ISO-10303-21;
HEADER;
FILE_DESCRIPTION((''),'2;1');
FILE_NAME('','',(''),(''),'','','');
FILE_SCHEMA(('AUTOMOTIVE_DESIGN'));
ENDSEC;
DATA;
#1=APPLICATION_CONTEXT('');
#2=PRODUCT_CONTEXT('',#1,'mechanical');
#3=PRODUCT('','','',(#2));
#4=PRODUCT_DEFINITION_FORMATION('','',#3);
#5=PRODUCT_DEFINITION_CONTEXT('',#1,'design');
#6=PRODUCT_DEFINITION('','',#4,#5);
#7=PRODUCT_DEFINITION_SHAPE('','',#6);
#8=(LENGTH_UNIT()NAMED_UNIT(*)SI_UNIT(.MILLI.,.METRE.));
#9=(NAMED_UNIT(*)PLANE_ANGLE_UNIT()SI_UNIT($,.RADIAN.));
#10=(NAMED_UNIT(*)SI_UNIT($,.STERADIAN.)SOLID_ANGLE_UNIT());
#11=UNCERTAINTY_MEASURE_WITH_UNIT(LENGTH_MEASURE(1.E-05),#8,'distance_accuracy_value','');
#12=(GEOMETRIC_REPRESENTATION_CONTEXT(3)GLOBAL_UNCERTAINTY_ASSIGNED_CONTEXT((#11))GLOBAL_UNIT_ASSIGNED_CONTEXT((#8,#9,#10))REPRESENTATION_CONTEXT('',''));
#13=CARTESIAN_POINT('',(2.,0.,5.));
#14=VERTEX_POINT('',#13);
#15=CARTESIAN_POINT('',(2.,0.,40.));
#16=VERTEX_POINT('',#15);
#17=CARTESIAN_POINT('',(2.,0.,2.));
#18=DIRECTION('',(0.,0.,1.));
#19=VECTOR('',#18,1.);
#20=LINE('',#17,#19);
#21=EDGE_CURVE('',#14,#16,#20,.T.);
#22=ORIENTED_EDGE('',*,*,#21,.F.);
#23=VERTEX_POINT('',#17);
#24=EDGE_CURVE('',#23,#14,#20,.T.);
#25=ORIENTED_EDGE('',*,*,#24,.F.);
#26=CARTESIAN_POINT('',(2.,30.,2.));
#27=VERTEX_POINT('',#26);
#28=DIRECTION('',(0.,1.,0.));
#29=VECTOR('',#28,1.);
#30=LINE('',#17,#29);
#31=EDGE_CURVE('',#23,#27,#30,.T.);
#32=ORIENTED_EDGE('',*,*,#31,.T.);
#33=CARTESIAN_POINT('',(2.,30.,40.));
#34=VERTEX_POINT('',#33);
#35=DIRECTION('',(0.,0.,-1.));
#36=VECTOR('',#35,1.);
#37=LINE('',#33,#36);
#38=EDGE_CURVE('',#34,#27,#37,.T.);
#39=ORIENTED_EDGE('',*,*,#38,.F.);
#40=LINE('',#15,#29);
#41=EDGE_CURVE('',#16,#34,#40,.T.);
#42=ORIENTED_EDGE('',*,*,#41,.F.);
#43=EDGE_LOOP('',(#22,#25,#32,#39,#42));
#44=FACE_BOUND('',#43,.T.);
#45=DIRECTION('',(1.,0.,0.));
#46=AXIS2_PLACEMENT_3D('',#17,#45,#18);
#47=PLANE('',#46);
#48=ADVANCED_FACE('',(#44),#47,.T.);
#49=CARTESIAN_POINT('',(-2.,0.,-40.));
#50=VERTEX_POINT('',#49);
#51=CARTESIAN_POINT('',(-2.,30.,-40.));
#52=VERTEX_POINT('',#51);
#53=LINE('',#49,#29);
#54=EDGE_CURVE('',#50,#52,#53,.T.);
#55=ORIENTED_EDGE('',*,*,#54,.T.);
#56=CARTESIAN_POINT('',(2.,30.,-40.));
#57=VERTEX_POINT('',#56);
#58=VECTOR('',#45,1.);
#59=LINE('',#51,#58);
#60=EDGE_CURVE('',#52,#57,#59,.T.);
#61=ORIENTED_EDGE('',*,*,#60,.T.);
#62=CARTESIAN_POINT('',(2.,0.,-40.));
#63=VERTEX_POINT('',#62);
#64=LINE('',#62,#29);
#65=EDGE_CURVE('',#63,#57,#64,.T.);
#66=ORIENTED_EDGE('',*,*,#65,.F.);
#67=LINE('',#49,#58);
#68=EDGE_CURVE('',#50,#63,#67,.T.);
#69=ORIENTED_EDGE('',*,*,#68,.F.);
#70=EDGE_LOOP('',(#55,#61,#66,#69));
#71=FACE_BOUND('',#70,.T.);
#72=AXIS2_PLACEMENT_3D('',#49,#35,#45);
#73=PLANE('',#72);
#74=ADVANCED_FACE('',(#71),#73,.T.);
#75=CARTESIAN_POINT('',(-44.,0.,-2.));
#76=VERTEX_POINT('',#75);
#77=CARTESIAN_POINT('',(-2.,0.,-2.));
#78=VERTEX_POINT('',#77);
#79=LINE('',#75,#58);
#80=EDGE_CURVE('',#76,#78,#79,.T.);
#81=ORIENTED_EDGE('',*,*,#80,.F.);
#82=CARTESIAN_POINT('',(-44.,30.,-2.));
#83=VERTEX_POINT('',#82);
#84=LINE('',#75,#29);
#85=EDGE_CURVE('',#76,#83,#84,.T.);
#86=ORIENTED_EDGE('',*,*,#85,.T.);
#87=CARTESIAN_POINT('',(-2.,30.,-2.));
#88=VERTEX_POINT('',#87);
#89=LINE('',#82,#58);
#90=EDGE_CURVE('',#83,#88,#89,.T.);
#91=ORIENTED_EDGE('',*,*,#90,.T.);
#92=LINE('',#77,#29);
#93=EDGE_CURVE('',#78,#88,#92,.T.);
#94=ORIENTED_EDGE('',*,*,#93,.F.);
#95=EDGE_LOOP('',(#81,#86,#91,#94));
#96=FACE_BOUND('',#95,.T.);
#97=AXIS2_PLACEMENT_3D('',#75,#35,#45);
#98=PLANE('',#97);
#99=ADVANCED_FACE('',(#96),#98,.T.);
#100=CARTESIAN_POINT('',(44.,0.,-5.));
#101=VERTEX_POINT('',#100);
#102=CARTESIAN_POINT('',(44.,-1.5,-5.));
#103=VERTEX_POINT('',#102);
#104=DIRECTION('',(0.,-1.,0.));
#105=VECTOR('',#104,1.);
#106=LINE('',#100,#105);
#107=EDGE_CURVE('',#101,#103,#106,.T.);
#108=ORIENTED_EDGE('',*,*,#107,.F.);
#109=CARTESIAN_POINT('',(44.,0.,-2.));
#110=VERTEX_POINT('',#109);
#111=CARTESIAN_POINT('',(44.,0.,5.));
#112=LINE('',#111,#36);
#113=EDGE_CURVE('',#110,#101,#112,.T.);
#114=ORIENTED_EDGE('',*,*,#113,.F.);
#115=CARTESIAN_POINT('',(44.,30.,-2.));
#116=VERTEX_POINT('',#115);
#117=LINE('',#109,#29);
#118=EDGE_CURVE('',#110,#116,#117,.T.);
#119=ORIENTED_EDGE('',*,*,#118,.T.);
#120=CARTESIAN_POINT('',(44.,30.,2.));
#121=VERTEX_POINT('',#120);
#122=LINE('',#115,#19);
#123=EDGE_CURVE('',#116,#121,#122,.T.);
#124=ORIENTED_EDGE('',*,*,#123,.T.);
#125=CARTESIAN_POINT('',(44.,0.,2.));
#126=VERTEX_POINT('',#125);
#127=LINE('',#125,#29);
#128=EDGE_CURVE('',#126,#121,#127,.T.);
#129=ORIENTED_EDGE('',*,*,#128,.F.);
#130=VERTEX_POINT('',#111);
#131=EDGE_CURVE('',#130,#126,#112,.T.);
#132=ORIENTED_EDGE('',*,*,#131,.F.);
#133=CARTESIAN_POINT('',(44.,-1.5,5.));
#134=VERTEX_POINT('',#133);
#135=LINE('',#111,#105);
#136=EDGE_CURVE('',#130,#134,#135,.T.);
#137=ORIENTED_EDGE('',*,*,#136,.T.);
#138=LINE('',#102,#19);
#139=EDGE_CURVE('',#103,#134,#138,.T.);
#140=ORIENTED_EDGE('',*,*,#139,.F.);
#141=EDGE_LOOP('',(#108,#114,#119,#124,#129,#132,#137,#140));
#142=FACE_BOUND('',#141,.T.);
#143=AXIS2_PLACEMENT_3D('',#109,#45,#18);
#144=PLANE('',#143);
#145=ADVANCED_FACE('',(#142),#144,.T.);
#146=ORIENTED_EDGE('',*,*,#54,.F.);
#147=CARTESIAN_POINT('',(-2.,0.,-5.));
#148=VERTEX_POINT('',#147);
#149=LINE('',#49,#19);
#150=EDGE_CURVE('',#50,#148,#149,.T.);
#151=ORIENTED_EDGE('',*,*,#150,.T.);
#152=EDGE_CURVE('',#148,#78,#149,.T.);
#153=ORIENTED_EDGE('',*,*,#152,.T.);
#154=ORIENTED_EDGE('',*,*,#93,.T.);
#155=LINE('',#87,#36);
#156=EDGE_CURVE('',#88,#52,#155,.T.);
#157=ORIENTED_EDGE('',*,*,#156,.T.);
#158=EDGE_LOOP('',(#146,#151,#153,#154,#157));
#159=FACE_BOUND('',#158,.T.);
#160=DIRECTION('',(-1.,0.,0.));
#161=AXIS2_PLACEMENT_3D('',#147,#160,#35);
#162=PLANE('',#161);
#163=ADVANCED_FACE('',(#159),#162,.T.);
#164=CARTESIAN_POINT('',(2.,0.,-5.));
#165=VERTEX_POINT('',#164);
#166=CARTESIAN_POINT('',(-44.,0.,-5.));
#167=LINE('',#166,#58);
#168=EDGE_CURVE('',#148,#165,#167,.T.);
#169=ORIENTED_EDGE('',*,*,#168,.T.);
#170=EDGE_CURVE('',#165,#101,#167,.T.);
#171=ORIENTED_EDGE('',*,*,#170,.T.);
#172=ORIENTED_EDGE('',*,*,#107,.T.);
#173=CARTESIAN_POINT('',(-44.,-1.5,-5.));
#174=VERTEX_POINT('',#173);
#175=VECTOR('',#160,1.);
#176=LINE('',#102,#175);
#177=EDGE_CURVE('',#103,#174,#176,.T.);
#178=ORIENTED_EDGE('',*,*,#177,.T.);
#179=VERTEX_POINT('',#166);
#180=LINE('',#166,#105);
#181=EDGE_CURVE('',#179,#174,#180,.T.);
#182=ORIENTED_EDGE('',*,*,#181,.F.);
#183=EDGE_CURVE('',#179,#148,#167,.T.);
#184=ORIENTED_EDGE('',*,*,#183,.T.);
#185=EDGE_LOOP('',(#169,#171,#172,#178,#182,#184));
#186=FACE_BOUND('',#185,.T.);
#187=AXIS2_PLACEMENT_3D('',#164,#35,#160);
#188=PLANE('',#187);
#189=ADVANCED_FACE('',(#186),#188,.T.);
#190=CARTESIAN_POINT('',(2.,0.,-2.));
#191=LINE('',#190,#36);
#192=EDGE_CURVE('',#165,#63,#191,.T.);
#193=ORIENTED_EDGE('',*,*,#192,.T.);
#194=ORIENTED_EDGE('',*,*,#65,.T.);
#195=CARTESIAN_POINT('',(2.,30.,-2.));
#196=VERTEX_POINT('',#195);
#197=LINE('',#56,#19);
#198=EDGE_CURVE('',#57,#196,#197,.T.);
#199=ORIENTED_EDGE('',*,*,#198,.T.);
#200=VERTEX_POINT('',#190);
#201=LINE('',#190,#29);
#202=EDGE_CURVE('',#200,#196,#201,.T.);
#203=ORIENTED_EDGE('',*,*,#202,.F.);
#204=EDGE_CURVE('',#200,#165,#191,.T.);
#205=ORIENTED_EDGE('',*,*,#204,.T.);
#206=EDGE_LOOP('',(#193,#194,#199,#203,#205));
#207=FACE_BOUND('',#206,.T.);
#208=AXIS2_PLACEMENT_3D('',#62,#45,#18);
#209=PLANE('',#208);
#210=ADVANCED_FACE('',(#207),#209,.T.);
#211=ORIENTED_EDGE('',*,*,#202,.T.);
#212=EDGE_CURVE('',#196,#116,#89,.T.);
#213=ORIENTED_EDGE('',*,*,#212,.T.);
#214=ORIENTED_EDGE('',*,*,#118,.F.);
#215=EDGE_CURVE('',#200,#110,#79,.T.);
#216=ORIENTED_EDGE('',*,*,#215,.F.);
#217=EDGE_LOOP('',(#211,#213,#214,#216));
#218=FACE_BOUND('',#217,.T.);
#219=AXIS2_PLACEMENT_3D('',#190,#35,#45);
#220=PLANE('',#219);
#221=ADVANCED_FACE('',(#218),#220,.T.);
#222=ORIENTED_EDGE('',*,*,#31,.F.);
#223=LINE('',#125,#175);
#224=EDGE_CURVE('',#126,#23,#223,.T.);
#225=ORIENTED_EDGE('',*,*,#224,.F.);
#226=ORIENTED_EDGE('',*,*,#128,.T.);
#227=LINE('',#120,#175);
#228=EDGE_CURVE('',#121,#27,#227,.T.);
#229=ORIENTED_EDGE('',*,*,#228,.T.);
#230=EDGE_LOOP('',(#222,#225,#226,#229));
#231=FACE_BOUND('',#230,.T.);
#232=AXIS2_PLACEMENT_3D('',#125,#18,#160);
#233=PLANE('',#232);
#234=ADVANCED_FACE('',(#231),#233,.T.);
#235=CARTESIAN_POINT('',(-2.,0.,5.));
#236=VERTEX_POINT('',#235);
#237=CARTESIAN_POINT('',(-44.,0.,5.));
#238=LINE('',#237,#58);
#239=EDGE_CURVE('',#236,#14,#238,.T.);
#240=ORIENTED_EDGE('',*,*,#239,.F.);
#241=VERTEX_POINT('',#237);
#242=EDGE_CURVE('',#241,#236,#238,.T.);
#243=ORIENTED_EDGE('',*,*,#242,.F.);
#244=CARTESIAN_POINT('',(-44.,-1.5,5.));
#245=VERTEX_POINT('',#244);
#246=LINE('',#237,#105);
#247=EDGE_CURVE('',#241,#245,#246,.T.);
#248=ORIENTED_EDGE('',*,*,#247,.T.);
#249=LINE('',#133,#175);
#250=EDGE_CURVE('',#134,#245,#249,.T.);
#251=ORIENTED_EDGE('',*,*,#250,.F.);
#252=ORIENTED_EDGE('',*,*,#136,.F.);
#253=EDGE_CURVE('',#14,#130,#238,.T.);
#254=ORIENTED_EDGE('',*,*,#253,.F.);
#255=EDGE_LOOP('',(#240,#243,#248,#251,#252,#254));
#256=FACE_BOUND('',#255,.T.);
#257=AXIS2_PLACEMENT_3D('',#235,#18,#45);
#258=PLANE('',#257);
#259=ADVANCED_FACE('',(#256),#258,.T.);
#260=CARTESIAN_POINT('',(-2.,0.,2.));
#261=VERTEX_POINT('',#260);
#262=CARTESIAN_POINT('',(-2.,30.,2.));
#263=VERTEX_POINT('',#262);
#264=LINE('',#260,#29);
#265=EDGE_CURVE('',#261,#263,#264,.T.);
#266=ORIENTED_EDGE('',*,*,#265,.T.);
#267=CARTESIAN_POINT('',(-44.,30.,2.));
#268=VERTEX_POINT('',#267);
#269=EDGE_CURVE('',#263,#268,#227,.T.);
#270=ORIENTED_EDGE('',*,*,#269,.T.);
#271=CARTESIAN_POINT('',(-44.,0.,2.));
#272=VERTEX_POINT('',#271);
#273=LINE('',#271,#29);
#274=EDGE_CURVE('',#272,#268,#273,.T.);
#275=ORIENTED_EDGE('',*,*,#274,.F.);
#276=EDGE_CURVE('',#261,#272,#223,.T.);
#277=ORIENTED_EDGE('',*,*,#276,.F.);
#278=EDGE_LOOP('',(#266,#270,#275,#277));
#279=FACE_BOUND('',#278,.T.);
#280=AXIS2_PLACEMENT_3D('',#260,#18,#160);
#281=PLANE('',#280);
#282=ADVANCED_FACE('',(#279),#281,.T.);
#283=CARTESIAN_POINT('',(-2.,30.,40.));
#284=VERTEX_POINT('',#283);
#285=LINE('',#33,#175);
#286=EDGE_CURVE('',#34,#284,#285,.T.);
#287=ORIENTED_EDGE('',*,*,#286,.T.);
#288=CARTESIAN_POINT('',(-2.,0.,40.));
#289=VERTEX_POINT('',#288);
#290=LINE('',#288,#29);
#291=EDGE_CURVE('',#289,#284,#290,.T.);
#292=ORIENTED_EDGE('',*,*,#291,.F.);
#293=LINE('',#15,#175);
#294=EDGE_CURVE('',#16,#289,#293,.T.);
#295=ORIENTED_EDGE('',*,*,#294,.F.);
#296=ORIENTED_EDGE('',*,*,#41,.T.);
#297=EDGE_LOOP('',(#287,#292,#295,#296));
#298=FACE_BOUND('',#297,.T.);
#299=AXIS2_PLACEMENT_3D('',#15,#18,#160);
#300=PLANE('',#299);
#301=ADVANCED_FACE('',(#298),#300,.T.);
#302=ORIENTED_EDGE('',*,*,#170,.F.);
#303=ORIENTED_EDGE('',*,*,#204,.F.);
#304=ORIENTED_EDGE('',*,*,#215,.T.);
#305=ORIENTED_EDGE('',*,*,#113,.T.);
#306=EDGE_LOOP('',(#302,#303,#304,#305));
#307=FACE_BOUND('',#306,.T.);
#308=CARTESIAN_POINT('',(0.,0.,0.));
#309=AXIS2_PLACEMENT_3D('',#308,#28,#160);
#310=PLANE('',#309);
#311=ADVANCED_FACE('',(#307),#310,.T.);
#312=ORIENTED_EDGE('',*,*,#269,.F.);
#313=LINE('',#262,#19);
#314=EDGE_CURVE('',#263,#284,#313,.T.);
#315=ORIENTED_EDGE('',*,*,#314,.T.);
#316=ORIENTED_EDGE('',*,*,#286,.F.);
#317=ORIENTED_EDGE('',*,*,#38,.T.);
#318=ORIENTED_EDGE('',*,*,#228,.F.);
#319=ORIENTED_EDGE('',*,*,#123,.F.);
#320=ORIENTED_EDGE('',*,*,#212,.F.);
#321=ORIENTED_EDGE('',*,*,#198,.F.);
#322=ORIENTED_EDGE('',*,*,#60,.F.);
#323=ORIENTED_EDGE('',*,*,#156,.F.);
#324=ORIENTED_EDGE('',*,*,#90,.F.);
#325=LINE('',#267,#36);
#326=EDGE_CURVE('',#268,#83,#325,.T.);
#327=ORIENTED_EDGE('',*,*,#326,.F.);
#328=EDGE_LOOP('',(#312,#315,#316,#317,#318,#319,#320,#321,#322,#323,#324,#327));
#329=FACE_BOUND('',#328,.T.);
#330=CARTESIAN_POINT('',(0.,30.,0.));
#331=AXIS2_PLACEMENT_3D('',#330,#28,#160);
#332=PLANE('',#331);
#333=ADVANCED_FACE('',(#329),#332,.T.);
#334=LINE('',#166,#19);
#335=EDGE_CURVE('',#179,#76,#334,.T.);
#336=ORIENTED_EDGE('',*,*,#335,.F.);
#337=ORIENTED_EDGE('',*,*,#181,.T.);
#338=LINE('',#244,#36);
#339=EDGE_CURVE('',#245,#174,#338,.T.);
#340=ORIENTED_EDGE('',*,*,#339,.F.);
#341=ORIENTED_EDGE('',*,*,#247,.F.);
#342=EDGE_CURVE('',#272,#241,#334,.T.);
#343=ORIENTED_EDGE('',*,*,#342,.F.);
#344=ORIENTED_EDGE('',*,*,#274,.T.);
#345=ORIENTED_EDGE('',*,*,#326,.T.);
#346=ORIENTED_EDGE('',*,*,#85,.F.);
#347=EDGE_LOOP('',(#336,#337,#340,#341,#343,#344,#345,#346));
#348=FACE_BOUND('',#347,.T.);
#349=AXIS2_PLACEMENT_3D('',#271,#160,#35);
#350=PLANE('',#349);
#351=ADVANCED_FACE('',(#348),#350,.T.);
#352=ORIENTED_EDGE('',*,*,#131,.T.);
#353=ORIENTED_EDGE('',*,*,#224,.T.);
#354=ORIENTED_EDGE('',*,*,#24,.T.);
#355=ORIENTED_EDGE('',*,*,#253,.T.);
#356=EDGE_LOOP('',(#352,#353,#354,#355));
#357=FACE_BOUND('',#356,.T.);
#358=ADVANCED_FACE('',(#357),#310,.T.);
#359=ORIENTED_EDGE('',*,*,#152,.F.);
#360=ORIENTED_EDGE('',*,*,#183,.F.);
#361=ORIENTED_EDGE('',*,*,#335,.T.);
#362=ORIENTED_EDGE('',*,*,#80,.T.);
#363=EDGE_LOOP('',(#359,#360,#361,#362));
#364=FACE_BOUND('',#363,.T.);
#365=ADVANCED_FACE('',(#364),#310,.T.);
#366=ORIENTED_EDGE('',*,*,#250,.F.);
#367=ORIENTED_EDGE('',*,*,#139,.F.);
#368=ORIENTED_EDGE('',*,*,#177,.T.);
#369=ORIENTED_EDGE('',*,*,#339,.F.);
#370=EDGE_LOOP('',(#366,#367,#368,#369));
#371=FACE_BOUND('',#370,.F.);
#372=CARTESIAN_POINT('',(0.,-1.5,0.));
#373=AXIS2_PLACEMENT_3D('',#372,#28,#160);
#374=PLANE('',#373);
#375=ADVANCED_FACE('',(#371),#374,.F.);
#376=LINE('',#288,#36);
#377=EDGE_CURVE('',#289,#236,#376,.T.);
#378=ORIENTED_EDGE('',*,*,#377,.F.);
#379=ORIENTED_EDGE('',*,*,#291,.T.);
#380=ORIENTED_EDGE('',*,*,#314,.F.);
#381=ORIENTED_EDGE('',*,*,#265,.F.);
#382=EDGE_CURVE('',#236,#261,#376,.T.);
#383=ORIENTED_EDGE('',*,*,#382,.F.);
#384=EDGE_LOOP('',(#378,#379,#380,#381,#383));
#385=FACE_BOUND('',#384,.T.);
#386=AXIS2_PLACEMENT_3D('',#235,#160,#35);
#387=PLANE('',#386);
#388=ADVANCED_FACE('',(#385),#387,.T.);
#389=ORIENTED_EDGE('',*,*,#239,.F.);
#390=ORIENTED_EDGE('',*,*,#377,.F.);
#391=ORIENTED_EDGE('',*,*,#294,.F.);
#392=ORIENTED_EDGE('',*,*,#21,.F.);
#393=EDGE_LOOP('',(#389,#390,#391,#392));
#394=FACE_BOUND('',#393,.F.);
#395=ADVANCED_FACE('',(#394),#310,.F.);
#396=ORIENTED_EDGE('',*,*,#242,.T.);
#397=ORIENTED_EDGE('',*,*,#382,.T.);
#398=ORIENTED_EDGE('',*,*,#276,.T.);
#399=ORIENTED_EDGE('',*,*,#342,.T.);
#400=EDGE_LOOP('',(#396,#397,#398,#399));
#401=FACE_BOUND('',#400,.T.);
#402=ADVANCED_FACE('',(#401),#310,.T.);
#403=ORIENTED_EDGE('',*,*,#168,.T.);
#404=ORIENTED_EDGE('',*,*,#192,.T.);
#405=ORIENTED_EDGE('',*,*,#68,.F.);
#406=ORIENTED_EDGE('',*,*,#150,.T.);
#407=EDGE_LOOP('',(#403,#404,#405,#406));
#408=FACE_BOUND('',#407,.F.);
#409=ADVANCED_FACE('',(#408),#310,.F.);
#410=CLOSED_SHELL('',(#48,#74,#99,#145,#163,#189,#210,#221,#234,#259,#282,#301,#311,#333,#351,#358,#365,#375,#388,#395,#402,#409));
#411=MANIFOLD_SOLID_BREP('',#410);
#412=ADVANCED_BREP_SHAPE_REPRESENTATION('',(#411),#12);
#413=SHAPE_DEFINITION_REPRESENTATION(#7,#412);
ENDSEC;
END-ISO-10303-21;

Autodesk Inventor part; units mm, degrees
ref_plane "YZ Plane" through (0, 0, 0) normal (1, 0, 0) x (0, 1, 0)
ref_plane "XZ Plane" through (0, 0, 0) normal (0, 1, 0) x (-1, 0, 0)
ref_plane "XY Plane" through (0, 0, 0) normal (0, 0, 1) x (1, 0, 0)
sketch "Sketch2" plane through (0, 0, 0) normal (0, 1, 0) x (-1, 0, 0)
  line L0 (2, -40) -> (-2, -40)
  line L1 (-2, -40) -> (-2, 40)
  line L2 (-2, 40) -> (2, 40)
  line L3 (2, 40) -> (2, -40)
  line L4 (44, -2) -> (-44, -2)
  line L5 (-44, -2) -> (-44, 2)
  line L6 (-44, 2) -> (44, 2)
  line L7 (44, 2) -> (44, -2)
  line L8 (44, 5) -> (-44, 5)
  line L9 (-44, 5) -> (-44, -5)
  line L10 (-44, -5) -> (44, -5)
  line L11 (44, -5) -> (44, 5)
  point P0 (0, 0)
  point P1 (0, -40)
  point P2 (-44, 0)
  point P3 (0, -2)
  point P4 (-2, 0)
  point P5 (2, 2)
  point P6 (-2, 2)
  point P7 (-2, -2)
  point P8 (2, -2)
  point P9 (44, 0)
  dimension "d0" = 4
  dimension "d1" = 4
  dimension "d2" = 80
  dimension "d3" = 88
  dimension "d6" = 10
extrude "Extrusion1" add sketch "Sketch2" along normal blind 30 contours L0 L1 L10 L3 | L10 L1 L4 L3 | L4 L1 L6 L3 | L3 L6 L7 L4 | L4 L5 L6 L1 | L6 L1 L8 L3 | L8 L1 L2 L3
extrude "Extrusion2" add sketch "Sketch2" against normal blind 1.5 contours L10 L1 L4 L3 | L3 L4 L11 L10 | L10 L9 L4 L1 | L4 L1 L6 L3 | L3 L6 L7 L4 | L4 L5 L6 L1 | L6 L1 L8 L3 | L3 L8 L11 L6 | L6 L9 L8 L1
properties part number "halfdrawerdivider"
